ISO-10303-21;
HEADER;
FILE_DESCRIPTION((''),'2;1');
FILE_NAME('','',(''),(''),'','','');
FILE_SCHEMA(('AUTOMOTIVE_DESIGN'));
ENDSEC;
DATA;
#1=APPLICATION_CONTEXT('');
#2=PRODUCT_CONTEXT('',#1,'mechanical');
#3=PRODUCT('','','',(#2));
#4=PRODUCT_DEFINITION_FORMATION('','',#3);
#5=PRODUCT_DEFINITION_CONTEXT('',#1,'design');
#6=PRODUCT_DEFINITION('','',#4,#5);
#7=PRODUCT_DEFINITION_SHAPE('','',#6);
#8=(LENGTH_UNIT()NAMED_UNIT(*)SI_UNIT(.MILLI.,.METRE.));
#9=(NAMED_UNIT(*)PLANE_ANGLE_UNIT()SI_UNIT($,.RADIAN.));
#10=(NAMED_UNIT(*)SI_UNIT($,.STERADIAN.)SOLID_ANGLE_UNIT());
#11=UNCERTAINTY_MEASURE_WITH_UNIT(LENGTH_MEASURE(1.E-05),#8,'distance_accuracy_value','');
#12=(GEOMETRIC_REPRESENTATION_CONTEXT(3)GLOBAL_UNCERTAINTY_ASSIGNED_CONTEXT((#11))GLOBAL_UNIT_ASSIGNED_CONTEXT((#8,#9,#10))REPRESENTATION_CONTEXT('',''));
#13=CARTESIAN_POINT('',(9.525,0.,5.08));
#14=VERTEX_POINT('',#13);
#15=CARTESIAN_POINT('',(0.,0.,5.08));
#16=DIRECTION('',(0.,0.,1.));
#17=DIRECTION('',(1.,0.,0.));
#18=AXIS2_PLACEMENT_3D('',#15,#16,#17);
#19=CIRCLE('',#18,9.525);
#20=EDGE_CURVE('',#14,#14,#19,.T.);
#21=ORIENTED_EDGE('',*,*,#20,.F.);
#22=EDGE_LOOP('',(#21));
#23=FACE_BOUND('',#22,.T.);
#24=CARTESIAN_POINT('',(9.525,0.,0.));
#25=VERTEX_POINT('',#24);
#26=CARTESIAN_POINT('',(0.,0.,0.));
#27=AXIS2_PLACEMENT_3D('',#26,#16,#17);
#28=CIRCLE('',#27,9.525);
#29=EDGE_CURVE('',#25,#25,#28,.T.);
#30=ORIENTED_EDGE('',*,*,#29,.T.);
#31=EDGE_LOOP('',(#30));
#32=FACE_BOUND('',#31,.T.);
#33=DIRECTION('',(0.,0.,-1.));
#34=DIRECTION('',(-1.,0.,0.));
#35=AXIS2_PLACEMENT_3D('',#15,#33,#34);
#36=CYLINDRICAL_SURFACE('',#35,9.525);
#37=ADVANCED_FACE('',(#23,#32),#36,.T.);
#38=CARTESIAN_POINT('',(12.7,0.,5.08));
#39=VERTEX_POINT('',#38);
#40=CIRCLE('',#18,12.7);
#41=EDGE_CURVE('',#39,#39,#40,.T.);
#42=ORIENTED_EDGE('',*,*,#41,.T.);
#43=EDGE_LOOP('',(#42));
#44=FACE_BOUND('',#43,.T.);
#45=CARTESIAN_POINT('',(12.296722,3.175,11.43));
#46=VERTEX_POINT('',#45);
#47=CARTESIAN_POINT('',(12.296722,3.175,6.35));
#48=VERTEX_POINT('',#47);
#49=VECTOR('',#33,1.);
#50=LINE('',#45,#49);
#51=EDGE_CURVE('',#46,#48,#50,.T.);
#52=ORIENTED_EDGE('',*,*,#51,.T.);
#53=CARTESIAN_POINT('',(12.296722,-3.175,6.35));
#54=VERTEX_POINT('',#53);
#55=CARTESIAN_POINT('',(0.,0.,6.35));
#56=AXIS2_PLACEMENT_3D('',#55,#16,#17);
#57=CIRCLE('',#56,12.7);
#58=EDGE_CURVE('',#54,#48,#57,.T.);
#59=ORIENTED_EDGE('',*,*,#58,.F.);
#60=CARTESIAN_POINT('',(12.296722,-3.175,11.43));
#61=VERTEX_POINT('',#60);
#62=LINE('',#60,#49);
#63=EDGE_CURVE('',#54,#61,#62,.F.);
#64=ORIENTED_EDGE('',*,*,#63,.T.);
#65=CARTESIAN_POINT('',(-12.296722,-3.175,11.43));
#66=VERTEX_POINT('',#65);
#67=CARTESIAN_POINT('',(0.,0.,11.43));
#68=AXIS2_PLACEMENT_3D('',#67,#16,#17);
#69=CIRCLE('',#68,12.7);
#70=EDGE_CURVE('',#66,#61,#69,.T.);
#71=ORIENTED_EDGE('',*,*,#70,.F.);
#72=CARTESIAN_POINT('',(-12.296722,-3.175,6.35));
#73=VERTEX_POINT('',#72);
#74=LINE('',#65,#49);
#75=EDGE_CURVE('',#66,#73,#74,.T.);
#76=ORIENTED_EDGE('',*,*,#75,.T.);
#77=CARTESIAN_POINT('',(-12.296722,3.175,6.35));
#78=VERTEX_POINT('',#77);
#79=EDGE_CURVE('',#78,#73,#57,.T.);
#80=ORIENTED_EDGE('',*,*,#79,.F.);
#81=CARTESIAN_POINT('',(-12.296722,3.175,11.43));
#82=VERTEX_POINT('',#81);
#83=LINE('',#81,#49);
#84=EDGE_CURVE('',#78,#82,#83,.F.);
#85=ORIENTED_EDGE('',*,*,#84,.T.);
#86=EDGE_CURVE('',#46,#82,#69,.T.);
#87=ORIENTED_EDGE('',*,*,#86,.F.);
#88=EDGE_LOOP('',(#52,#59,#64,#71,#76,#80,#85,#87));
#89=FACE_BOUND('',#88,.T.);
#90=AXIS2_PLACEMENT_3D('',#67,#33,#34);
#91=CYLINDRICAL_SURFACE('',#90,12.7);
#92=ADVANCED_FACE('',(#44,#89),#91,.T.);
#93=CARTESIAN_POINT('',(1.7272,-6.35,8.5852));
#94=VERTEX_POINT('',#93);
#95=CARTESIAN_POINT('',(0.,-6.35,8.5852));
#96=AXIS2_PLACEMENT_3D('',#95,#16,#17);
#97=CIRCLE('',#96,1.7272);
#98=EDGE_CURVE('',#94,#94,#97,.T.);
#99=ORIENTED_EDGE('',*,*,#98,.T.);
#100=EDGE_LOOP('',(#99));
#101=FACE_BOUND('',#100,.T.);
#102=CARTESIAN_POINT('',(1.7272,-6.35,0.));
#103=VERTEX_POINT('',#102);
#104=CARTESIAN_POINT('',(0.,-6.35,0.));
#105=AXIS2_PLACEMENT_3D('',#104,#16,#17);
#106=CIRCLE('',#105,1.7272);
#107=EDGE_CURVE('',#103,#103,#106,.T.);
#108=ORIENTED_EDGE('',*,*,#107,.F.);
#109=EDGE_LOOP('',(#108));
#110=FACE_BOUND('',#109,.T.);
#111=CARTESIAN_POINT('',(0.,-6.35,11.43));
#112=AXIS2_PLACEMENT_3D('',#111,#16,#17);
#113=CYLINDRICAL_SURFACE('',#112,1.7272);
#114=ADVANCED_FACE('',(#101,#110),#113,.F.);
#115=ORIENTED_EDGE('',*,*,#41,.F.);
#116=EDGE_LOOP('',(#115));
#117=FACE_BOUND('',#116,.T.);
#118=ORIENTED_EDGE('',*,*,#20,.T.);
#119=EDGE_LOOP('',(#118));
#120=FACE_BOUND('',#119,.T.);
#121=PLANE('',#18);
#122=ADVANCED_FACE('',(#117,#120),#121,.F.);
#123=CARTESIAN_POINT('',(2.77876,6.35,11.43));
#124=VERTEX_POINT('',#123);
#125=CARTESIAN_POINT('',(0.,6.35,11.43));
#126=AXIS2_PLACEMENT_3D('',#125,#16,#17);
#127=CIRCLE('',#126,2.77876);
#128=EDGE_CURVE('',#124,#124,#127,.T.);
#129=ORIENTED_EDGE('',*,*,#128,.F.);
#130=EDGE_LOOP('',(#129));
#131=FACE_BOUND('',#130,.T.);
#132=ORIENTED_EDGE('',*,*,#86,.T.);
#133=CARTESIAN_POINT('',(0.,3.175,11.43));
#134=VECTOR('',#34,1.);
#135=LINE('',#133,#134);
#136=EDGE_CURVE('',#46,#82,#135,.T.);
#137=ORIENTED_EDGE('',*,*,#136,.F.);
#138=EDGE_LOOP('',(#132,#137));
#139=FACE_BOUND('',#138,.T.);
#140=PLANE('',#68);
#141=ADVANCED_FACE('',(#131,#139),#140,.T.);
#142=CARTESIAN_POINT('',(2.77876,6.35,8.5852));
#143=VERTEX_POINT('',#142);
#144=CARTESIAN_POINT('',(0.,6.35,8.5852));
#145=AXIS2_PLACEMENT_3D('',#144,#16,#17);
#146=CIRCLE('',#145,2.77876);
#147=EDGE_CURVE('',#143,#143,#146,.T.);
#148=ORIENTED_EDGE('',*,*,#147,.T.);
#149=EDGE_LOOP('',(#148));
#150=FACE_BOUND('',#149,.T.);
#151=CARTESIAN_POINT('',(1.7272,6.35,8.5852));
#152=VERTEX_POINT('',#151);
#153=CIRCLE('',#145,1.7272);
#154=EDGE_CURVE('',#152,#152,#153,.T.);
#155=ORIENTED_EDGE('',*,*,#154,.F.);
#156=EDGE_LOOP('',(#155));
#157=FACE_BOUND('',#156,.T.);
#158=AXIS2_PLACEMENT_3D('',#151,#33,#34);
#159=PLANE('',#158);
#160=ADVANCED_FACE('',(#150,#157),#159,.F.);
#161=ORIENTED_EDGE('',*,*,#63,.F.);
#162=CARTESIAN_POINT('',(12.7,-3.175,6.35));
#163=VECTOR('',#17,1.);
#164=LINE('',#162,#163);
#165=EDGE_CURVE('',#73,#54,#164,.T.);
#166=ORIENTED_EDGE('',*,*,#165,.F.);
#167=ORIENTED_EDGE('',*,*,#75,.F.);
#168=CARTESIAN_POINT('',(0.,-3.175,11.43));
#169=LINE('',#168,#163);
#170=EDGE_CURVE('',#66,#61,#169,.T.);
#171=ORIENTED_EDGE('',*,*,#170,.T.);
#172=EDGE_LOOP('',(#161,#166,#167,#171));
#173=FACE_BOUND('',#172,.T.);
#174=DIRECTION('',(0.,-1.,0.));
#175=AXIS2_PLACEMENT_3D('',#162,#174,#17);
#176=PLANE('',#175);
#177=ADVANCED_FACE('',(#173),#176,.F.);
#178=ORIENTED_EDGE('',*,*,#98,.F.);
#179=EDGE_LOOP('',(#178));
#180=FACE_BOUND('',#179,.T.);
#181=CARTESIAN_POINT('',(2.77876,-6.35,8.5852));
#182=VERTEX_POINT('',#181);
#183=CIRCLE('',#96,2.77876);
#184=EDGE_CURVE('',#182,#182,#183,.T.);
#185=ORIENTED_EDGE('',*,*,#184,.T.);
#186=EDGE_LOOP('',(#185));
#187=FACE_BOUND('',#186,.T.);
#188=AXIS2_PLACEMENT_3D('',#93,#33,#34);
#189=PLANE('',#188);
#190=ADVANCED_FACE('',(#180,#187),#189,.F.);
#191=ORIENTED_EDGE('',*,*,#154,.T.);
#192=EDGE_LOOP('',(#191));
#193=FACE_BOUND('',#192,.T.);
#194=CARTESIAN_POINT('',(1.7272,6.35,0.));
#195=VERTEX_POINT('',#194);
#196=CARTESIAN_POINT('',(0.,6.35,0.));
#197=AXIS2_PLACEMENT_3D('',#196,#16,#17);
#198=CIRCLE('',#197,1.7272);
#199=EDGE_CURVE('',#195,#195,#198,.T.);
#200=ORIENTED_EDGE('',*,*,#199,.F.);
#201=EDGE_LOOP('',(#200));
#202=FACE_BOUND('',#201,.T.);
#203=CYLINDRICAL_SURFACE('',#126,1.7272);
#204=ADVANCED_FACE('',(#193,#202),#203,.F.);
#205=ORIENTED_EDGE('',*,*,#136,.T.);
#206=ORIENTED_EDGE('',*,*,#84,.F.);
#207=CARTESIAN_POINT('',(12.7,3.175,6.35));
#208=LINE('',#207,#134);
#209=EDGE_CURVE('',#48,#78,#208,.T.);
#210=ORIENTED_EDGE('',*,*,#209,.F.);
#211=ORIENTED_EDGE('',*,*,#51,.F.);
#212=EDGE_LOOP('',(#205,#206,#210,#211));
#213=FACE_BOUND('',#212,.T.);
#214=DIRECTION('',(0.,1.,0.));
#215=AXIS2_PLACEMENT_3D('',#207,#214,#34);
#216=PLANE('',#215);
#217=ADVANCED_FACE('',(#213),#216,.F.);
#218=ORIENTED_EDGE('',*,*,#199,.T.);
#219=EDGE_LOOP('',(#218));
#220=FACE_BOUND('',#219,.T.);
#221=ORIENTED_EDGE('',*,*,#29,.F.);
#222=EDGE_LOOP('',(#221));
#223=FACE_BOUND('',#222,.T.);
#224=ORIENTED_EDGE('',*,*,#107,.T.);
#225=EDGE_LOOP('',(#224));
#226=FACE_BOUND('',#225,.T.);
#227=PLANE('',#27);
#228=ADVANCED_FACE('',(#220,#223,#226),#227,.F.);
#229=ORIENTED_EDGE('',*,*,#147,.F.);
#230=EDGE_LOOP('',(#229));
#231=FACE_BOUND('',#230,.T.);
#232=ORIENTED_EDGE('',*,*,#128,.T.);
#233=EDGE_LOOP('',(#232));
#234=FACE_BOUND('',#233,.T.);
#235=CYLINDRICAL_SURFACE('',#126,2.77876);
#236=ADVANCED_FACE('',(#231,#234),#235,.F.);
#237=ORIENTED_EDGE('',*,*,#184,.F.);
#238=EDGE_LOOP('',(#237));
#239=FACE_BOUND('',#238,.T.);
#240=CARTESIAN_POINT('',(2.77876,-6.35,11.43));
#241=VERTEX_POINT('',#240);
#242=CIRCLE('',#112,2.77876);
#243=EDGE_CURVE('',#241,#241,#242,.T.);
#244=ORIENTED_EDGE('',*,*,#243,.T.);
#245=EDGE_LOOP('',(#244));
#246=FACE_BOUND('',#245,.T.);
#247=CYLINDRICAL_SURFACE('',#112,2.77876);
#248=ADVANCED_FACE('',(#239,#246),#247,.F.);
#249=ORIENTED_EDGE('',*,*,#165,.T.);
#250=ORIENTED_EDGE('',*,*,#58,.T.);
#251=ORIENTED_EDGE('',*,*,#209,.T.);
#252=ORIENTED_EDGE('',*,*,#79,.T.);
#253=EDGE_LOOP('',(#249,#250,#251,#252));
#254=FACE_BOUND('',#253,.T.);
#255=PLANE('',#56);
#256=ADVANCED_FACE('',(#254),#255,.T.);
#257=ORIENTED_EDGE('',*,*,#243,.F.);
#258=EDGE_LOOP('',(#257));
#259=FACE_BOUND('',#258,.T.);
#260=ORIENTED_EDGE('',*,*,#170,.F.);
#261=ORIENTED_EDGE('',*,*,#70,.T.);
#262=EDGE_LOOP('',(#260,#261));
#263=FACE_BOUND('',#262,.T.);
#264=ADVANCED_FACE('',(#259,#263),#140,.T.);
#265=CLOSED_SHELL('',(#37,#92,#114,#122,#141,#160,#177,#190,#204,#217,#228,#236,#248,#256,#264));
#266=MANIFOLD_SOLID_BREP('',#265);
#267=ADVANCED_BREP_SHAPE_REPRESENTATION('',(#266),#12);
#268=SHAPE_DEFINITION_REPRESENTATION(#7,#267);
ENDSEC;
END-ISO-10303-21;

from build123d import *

# Parameters (mm, degrees)
SKETCH1_R                                      = 9.525
BOSS_EXTRUDE1_DEPTH                            = 5.08
SKETCH2_R                                      = 12.7
BOSS_EXTRUDE2_DEPTH                            = 6.35
SKETCH3_W                                      = 25.4
SKETCH3_H                                      = 6.35
CUT_EXTRUDE1_DEPTH                             = 5.08
CBORE_FOR_4_SOCKET_HEAD_CAP_SCREW1_D           = 3.4544
CBORE_FOR_4_SOCKET_HEAD_CAP_SCREW1_CBORE_D     = 5.55752
CBORE_FOR_4_SOCKET_HEAD_CAP_SCREW1_CBORE_DEPTH = 2.8448


with BuildPart() as part:
    # Sketch1 → Boss-Extrude1 (new body)
    with BuildSketch(Plane.XY):
        Circle(SKETCH1_R)
    extrude(amount=BOSS_EXTRUDE1_DEPTH)

    # Sketch2 → Boss-Extrude2 (add)
    with BuildSketch(Plane.XY.offset(5.08)):
        Circle(SKETCH2_R)
    extrude(amount=BOSS_EXTRUDE2_DEPTH)

    # Sketch3 → Cut-Extrude1 (cut)
    with BuildSketch(Plane.XY.offset(11.43)):
        Rectangle(SKETCH3_W, SKETCH3_H)
    extrude(amount=-CUT_EXTRUDE1_DEPTH, mode=Mode.SUBTRACT)

    # CBORE for #4 Socket Head Cap Screw1 (through all)
    with Locations(Plane.XY.offset(11.43)):
        with Locations((0, -6.35), (0, 6.35)):
            CounterBoreHole(CBORE_FOR_4_SOCKET_HEAD_CAP_SCREW1_D / 2, CBORE_FOR_4_SOCKET_HEAD_CAP_SCREW1_CBORE_D / 2, CBORE_FOR_4_SOCKET_HEAD_CAP_SCREW1_CBORE_DEPTH)


solid = part.part
